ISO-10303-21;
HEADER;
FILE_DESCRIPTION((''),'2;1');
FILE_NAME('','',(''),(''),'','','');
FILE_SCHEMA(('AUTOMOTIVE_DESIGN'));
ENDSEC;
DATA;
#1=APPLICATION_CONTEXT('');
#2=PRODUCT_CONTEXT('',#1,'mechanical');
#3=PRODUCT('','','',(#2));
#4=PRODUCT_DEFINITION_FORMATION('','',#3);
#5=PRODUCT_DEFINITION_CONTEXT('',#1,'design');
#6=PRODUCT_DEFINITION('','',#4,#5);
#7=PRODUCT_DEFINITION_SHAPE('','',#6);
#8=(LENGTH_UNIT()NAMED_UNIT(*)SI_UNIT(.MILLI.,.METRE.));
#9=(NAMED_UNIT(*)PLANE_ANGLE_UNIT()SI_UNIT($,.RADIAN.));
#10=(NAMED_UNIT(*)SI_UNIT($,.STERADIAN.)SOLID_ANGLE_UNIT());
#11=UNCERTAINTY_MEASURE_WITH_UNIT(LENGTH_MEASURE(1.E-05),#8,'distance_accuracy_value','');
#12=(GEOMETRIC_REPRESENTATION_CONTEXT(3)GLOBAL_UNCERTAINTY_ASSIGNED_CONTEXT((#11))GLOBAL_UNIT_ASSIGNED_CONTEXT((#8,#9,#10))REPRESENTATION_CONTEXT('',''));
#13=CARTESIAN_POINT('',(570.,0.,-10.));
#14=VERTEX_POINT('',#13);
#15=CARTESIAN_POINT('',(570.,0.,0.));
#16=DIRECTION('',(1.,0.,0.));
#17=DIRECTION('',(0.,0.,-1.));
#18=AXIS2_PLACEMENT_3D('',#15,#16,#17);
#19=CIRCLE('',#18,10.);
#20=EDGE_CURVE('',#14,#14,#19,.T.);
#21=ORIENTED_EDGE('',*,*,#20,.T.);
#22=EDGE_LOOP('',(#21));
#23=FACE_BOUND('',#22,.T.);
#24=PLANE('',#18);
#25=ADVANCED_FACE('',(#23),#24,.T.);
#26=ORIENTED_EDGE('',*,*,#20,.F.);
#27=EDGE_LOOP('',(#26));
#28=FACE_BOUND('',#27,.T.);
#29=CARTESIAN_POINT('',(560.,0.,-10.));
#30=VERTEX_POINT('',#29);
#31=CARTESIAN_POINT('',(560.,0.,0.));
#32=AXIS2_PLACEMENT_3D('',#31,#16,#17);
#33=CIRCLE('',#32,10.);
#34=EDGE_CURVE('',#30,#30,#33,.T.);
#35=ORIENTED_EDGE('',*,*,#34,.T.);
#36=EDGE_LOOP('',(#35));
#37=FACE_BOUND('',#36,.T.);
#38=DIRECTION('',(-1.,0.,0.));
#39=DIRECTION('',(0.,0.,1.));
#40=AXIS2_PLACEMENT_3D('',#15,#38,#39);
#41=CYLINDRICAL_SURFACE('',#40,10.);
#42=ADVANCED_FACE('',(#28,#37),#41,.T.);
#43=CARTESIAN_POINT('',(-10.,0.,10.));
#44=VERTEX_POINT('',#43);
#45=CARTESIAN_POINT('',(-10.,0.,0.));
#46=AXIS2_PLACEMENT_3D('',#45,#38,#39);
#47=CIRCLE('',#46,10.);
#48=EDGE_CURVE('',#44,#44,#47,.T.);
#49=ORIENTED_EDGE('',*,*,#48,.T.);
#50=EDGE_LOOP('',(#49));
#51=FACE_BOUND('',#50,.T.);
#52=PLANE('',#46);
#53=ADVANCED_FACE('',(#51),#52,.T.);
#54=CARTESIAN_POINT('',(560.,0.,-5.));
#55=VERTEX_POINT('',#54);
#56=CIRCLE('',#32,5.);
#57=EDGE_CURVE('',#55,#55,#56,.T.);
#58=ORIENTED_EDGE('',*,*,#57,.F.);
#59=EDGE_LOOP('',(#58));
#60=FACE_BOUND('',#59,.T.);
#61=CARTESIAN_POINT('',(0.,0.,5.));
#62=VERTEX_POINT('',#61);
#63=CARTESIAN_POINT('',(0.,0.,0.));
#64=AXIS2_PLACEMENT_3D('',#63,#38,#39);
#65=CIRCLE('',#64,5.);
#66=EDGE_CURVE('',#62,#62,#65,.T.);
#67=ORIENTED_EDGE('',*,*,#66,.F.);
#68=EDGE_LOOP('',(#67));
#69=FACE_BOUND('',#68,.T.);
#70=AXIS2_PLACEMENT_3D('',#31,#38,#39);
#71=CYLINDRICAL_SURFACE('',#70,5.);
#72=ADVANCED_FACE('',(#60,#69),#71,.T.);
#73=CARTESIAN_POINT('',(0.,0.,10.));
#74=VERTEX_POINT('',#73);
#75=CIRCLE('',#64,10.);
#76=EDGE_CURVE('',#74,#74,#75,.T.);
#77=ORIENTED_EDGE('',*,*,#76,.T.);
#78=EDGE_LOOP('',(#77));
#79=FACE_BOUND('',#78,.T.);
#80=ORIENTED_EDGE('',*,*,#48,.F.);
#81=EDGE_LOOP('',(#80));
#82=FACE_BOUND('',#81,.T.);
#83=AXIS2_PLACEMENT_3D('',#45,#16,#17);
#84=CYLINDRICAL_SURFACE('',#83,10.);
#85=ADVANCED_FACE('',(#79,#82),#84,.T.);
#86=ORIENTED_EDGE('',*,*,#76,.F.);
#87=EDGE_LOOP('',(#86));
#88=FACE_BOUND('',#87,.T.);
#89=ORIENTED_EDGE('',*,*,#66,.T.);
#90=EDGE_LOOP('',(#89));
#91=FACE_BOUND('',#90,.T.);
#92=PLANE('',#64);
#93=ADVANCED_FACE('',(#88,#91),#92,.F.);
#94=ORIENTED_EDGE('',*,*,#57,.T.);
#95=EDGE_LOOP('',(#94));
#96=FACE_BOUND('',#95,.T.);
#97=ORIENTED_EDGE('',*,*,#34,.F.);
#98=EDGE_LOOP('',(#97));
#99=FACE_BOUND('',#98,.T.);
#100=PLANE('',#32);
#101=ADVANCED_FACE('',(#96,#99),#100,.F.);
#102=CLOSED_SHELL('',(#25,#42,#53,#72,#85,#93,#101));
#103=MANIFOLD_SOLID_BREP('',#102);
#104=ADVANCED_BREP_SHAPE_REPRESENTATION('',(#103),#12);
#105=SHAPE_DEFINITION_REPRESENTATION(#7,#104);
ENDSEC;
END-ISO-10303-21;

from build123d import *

# Parameters (mm, degrees)
SKETCH1_R           = 5
BOSS_EXTRUDE1_DEPTH = 560
SKETCH2_R           = 10
BOSS_EXTRUDE2_DEPTH = 10
SKETCH3_R           = 10
BOSS_EXTRUDE3_DEPTH = 10


with BuildPart() as part:
    # Sketch1 → Boss-Extrude1 (new body)
    with BuildSketch(Plane(origin=(0, 0, 0), x_dir=(0, 0, -1), z_dir=(1, 0, 0))):
        Circle(SKETCH1_R)
    extrude(amount=BOSS_EXTRUDE1_DEPTH)

    # Sketch2 → Boss-Extrude2 (add)
    with BuildSketch(Plane(origin=(560, 0, 0), x_dir=(0, 0, -1), z_dir=(1, 0, 0))):
        Circle(SKETCH2_R)
    extrude(amount=BOSS_EXTRUDE2_DEPTH)

    # Sketch3 → Boss-Extrude3 (add)
    with BuildSketch(Plane.ZY):
        Circle(SKETCH3_R)
    extrude(amount=BOSS_EXTRUDE3_DEPTH)


solid = part.part
